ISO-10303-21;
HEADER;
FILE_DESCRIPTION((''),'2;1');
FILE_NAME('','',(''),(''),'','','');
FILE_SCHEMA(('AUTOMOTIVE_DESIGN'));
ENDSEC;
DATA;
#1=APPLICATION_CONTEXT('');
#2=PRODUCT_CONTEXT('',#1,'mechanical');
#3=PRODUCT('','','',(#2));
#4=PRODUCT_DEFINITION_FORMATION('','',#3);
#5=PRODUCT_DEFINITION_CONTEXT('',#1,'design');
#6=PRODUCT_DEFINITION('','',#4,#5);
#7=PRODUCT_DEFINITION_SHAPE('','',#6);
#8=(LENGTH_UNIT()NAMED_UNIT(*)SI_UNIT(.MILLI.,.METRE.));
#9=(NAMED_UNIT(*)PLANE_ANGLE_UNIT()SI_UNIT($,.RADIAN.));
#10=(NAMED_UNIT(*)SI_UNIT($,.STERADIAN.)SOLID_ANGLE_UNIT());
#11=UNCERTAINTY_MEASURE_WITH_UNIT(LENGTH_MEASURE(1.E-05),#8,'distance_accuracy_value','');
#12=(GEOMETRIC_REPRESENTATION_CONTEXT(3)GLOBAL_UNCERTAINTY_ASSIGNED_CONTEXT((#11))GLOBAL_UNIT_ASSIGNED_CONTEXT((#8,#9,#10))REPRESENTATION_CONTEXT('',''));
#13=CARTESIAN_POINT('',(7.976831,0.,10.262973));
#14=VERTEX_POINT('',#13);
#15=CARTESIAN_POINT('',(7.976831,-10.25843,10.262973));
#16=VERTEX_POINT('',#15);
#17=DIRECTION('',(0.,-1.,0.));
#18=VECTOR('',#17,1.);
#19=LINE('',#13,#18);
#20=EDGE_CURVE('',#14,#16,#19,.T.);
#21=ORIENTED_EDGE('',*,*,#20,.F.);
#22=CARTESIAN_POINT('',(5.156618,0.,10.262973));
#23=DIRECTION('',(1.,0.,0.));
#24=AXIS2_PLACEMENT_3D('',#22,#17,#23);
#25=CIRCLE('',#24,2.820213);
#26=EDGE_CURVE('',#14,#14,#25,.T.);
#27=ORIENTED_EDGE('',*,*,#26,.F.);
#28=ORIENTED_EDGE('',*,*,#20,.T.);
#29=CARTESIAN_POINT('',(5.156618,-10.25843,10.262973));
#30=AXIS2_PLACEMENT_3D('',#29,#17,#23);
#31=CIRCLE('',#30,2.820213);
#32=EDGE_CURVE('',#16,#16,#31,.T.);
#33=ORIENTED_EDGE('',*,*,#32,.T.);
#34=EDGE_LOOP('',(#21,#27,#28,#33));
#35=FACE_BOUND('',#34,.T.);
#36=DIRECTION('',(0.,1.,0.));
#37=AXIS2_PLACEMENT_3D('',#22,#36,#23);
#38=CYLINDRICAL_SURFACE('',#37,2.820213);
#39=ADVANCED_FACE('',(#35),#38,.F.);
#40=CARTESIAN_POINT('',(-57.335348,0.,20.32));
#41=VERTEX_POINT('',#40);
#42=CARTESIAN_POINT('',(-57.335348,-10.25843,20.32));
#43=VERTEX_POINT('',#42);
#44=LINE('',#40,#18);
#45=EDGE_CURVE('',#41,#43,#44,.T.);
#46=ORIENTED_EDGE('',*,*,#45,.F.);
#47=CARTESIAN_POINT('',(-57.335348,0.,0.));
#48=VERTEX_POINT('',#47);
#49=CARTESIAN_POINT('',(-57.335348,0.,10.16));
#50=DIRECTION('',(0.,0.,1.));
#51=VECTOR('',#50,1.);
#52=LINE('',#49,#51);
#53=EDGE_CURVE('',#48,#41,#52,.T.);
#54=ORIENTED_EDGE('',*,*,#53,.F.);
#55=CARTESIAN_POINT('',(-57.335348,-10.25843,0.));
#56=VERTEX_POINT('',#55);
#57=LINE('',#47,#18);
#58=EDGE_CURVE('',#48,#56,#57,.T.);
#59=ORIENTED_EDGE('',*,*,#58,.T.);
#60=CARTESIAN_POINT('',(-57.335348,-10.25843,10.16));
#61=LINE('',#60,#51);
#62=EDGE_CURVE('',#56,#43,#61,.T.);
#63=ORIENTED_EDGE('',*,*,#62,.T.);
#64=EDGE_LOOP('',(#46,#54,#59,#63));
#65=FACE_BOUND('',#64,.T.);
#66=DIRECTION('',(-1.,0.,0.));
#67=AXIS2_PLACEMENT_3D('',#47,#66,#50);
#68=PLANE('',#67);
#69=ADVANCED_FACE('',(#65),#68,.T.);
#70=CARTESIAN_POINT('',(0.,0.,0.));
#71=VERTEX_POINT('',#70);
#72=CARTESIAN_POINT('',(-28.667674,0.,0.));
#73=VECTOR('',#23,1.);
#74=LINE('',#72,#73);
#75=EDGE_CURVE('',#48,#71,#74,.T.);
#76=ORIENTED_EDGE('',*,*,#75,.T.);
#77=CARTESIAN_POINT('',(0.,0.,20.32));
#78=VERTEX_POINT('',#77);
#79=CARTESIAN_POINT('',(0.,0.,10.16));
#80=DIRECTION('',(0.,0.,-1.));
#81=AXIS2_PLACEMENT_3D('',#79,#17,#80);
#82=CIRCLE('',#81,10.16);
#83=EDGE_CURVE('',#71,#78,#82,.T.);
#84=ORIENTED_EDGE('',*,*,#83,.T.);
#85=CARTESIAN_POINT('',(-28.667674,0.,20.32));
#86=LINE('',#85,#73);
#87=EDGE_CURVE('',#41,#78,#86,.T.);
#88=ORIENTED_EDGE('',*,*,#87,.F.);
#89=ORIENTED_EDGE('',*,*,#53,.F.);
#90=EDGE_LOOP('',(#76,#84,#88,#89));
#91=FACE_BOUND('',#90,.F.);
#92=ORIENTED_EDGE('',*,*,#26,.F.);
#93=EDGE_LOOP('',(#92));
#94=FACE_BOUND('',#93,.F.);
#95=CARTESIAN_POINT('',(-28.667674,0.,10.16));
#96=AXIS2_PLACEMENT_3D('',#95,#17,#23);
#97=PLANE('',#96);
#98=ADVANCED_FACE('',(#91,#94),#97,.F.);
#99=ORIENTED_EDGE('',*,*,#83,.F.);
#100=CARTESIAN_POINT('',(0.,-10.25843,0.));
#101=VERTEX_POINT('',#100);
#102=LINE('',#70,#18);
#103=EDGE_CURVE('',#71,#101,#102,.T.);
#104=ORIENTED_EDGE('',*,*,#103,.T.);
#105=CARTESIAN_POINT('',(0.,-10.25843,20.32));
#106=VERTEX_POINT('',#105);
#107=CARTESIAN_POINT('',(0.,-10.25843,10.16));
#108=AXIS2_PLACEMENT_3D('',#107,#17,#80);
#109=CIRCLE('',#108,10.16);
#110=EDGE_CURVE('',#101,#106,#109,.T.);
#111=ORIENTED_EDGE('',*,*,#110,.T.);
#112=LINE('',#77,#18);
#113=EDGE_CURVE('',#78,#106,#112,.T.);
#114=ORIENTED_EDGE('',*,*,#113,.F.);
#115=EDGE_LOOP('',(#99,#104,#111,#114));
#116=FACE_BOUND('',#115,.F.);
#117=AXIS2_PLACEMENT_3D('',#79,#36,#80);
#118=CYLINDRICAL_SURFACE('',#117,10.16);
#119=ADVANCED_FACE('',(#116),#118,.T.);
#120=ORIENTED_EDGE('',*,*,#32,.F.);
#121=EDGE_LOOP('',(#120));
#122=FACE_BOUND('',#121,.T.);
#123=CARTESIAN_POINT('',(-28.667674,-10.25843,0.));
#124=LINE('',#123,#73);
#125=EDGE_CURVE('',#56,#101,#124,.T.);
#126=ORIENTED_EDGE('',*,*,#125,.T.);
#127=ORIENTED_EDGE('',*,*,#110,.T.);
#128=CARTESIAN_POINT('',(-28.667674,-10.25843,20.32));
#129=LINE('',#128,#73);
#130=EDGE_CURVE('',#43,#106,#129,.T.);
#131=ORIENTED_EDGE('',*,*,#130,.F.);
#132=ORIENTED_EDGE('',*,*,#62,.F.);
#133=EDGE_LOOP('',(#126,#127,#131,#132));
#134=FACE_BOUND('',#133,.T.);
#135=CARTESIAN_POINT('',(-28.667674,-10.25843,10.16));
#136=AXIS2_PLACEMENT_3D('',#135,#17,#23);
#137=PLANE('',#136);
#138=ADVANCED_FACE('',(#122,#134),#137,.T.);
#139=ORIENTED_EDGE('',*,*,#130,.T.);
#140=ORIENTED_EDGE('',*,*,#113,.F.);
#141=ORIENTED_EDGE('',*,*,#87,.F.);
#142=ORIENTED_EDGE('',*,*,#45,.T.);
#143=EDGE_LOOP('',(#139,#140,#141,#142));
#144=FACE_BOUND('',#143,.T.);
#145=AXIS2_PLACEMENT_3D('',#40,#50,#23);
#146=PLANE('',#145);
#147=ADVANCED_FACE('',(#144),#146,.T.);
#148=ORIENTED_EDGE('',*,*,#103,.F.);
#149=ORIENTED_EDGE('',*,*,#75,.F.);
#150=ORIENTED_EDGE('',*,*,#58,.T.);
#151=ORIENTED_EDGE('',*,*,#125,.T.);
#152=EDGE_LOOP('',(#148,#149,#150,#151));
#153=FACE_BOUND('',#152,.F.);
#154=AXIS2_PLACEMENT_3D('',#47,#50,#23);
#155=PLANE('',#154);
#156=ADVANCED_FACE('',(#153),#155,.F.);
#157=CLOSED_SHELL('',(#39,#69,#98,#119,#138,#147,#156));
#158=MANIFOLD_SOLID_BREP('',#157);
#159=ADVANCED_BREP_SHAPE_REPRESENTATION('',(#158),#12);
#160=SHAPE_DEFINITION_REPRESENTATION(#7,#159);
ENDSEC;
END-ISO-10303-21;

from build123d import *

# Parameters (mm, degrees)
F0_W     = 57.335348
F0_H     = 20.32
F0_R     = 2.820213
F1_DEPTH = 10.25843


with BuildPart() as f1:
    # F0 (on Front) → F1 (new body)
    with BuildSketch(Plane.XZ):
        with Locations((-28.667674, 10.16)):
            Rectangle(F0_W, F0_H)
        with BuildLine():
            Line((0, 20.32), (0, 0))
            ThreePointArc((0, 0), (10.16, 10.16), (0, 20.32))
        make_face()
        with Locations((5.156618, 10.262973)):
            Circle(F0_R, mode=Mode.SUBTRACT)
    extrude(amount=F1_DEPTH)


solid = f1.part
